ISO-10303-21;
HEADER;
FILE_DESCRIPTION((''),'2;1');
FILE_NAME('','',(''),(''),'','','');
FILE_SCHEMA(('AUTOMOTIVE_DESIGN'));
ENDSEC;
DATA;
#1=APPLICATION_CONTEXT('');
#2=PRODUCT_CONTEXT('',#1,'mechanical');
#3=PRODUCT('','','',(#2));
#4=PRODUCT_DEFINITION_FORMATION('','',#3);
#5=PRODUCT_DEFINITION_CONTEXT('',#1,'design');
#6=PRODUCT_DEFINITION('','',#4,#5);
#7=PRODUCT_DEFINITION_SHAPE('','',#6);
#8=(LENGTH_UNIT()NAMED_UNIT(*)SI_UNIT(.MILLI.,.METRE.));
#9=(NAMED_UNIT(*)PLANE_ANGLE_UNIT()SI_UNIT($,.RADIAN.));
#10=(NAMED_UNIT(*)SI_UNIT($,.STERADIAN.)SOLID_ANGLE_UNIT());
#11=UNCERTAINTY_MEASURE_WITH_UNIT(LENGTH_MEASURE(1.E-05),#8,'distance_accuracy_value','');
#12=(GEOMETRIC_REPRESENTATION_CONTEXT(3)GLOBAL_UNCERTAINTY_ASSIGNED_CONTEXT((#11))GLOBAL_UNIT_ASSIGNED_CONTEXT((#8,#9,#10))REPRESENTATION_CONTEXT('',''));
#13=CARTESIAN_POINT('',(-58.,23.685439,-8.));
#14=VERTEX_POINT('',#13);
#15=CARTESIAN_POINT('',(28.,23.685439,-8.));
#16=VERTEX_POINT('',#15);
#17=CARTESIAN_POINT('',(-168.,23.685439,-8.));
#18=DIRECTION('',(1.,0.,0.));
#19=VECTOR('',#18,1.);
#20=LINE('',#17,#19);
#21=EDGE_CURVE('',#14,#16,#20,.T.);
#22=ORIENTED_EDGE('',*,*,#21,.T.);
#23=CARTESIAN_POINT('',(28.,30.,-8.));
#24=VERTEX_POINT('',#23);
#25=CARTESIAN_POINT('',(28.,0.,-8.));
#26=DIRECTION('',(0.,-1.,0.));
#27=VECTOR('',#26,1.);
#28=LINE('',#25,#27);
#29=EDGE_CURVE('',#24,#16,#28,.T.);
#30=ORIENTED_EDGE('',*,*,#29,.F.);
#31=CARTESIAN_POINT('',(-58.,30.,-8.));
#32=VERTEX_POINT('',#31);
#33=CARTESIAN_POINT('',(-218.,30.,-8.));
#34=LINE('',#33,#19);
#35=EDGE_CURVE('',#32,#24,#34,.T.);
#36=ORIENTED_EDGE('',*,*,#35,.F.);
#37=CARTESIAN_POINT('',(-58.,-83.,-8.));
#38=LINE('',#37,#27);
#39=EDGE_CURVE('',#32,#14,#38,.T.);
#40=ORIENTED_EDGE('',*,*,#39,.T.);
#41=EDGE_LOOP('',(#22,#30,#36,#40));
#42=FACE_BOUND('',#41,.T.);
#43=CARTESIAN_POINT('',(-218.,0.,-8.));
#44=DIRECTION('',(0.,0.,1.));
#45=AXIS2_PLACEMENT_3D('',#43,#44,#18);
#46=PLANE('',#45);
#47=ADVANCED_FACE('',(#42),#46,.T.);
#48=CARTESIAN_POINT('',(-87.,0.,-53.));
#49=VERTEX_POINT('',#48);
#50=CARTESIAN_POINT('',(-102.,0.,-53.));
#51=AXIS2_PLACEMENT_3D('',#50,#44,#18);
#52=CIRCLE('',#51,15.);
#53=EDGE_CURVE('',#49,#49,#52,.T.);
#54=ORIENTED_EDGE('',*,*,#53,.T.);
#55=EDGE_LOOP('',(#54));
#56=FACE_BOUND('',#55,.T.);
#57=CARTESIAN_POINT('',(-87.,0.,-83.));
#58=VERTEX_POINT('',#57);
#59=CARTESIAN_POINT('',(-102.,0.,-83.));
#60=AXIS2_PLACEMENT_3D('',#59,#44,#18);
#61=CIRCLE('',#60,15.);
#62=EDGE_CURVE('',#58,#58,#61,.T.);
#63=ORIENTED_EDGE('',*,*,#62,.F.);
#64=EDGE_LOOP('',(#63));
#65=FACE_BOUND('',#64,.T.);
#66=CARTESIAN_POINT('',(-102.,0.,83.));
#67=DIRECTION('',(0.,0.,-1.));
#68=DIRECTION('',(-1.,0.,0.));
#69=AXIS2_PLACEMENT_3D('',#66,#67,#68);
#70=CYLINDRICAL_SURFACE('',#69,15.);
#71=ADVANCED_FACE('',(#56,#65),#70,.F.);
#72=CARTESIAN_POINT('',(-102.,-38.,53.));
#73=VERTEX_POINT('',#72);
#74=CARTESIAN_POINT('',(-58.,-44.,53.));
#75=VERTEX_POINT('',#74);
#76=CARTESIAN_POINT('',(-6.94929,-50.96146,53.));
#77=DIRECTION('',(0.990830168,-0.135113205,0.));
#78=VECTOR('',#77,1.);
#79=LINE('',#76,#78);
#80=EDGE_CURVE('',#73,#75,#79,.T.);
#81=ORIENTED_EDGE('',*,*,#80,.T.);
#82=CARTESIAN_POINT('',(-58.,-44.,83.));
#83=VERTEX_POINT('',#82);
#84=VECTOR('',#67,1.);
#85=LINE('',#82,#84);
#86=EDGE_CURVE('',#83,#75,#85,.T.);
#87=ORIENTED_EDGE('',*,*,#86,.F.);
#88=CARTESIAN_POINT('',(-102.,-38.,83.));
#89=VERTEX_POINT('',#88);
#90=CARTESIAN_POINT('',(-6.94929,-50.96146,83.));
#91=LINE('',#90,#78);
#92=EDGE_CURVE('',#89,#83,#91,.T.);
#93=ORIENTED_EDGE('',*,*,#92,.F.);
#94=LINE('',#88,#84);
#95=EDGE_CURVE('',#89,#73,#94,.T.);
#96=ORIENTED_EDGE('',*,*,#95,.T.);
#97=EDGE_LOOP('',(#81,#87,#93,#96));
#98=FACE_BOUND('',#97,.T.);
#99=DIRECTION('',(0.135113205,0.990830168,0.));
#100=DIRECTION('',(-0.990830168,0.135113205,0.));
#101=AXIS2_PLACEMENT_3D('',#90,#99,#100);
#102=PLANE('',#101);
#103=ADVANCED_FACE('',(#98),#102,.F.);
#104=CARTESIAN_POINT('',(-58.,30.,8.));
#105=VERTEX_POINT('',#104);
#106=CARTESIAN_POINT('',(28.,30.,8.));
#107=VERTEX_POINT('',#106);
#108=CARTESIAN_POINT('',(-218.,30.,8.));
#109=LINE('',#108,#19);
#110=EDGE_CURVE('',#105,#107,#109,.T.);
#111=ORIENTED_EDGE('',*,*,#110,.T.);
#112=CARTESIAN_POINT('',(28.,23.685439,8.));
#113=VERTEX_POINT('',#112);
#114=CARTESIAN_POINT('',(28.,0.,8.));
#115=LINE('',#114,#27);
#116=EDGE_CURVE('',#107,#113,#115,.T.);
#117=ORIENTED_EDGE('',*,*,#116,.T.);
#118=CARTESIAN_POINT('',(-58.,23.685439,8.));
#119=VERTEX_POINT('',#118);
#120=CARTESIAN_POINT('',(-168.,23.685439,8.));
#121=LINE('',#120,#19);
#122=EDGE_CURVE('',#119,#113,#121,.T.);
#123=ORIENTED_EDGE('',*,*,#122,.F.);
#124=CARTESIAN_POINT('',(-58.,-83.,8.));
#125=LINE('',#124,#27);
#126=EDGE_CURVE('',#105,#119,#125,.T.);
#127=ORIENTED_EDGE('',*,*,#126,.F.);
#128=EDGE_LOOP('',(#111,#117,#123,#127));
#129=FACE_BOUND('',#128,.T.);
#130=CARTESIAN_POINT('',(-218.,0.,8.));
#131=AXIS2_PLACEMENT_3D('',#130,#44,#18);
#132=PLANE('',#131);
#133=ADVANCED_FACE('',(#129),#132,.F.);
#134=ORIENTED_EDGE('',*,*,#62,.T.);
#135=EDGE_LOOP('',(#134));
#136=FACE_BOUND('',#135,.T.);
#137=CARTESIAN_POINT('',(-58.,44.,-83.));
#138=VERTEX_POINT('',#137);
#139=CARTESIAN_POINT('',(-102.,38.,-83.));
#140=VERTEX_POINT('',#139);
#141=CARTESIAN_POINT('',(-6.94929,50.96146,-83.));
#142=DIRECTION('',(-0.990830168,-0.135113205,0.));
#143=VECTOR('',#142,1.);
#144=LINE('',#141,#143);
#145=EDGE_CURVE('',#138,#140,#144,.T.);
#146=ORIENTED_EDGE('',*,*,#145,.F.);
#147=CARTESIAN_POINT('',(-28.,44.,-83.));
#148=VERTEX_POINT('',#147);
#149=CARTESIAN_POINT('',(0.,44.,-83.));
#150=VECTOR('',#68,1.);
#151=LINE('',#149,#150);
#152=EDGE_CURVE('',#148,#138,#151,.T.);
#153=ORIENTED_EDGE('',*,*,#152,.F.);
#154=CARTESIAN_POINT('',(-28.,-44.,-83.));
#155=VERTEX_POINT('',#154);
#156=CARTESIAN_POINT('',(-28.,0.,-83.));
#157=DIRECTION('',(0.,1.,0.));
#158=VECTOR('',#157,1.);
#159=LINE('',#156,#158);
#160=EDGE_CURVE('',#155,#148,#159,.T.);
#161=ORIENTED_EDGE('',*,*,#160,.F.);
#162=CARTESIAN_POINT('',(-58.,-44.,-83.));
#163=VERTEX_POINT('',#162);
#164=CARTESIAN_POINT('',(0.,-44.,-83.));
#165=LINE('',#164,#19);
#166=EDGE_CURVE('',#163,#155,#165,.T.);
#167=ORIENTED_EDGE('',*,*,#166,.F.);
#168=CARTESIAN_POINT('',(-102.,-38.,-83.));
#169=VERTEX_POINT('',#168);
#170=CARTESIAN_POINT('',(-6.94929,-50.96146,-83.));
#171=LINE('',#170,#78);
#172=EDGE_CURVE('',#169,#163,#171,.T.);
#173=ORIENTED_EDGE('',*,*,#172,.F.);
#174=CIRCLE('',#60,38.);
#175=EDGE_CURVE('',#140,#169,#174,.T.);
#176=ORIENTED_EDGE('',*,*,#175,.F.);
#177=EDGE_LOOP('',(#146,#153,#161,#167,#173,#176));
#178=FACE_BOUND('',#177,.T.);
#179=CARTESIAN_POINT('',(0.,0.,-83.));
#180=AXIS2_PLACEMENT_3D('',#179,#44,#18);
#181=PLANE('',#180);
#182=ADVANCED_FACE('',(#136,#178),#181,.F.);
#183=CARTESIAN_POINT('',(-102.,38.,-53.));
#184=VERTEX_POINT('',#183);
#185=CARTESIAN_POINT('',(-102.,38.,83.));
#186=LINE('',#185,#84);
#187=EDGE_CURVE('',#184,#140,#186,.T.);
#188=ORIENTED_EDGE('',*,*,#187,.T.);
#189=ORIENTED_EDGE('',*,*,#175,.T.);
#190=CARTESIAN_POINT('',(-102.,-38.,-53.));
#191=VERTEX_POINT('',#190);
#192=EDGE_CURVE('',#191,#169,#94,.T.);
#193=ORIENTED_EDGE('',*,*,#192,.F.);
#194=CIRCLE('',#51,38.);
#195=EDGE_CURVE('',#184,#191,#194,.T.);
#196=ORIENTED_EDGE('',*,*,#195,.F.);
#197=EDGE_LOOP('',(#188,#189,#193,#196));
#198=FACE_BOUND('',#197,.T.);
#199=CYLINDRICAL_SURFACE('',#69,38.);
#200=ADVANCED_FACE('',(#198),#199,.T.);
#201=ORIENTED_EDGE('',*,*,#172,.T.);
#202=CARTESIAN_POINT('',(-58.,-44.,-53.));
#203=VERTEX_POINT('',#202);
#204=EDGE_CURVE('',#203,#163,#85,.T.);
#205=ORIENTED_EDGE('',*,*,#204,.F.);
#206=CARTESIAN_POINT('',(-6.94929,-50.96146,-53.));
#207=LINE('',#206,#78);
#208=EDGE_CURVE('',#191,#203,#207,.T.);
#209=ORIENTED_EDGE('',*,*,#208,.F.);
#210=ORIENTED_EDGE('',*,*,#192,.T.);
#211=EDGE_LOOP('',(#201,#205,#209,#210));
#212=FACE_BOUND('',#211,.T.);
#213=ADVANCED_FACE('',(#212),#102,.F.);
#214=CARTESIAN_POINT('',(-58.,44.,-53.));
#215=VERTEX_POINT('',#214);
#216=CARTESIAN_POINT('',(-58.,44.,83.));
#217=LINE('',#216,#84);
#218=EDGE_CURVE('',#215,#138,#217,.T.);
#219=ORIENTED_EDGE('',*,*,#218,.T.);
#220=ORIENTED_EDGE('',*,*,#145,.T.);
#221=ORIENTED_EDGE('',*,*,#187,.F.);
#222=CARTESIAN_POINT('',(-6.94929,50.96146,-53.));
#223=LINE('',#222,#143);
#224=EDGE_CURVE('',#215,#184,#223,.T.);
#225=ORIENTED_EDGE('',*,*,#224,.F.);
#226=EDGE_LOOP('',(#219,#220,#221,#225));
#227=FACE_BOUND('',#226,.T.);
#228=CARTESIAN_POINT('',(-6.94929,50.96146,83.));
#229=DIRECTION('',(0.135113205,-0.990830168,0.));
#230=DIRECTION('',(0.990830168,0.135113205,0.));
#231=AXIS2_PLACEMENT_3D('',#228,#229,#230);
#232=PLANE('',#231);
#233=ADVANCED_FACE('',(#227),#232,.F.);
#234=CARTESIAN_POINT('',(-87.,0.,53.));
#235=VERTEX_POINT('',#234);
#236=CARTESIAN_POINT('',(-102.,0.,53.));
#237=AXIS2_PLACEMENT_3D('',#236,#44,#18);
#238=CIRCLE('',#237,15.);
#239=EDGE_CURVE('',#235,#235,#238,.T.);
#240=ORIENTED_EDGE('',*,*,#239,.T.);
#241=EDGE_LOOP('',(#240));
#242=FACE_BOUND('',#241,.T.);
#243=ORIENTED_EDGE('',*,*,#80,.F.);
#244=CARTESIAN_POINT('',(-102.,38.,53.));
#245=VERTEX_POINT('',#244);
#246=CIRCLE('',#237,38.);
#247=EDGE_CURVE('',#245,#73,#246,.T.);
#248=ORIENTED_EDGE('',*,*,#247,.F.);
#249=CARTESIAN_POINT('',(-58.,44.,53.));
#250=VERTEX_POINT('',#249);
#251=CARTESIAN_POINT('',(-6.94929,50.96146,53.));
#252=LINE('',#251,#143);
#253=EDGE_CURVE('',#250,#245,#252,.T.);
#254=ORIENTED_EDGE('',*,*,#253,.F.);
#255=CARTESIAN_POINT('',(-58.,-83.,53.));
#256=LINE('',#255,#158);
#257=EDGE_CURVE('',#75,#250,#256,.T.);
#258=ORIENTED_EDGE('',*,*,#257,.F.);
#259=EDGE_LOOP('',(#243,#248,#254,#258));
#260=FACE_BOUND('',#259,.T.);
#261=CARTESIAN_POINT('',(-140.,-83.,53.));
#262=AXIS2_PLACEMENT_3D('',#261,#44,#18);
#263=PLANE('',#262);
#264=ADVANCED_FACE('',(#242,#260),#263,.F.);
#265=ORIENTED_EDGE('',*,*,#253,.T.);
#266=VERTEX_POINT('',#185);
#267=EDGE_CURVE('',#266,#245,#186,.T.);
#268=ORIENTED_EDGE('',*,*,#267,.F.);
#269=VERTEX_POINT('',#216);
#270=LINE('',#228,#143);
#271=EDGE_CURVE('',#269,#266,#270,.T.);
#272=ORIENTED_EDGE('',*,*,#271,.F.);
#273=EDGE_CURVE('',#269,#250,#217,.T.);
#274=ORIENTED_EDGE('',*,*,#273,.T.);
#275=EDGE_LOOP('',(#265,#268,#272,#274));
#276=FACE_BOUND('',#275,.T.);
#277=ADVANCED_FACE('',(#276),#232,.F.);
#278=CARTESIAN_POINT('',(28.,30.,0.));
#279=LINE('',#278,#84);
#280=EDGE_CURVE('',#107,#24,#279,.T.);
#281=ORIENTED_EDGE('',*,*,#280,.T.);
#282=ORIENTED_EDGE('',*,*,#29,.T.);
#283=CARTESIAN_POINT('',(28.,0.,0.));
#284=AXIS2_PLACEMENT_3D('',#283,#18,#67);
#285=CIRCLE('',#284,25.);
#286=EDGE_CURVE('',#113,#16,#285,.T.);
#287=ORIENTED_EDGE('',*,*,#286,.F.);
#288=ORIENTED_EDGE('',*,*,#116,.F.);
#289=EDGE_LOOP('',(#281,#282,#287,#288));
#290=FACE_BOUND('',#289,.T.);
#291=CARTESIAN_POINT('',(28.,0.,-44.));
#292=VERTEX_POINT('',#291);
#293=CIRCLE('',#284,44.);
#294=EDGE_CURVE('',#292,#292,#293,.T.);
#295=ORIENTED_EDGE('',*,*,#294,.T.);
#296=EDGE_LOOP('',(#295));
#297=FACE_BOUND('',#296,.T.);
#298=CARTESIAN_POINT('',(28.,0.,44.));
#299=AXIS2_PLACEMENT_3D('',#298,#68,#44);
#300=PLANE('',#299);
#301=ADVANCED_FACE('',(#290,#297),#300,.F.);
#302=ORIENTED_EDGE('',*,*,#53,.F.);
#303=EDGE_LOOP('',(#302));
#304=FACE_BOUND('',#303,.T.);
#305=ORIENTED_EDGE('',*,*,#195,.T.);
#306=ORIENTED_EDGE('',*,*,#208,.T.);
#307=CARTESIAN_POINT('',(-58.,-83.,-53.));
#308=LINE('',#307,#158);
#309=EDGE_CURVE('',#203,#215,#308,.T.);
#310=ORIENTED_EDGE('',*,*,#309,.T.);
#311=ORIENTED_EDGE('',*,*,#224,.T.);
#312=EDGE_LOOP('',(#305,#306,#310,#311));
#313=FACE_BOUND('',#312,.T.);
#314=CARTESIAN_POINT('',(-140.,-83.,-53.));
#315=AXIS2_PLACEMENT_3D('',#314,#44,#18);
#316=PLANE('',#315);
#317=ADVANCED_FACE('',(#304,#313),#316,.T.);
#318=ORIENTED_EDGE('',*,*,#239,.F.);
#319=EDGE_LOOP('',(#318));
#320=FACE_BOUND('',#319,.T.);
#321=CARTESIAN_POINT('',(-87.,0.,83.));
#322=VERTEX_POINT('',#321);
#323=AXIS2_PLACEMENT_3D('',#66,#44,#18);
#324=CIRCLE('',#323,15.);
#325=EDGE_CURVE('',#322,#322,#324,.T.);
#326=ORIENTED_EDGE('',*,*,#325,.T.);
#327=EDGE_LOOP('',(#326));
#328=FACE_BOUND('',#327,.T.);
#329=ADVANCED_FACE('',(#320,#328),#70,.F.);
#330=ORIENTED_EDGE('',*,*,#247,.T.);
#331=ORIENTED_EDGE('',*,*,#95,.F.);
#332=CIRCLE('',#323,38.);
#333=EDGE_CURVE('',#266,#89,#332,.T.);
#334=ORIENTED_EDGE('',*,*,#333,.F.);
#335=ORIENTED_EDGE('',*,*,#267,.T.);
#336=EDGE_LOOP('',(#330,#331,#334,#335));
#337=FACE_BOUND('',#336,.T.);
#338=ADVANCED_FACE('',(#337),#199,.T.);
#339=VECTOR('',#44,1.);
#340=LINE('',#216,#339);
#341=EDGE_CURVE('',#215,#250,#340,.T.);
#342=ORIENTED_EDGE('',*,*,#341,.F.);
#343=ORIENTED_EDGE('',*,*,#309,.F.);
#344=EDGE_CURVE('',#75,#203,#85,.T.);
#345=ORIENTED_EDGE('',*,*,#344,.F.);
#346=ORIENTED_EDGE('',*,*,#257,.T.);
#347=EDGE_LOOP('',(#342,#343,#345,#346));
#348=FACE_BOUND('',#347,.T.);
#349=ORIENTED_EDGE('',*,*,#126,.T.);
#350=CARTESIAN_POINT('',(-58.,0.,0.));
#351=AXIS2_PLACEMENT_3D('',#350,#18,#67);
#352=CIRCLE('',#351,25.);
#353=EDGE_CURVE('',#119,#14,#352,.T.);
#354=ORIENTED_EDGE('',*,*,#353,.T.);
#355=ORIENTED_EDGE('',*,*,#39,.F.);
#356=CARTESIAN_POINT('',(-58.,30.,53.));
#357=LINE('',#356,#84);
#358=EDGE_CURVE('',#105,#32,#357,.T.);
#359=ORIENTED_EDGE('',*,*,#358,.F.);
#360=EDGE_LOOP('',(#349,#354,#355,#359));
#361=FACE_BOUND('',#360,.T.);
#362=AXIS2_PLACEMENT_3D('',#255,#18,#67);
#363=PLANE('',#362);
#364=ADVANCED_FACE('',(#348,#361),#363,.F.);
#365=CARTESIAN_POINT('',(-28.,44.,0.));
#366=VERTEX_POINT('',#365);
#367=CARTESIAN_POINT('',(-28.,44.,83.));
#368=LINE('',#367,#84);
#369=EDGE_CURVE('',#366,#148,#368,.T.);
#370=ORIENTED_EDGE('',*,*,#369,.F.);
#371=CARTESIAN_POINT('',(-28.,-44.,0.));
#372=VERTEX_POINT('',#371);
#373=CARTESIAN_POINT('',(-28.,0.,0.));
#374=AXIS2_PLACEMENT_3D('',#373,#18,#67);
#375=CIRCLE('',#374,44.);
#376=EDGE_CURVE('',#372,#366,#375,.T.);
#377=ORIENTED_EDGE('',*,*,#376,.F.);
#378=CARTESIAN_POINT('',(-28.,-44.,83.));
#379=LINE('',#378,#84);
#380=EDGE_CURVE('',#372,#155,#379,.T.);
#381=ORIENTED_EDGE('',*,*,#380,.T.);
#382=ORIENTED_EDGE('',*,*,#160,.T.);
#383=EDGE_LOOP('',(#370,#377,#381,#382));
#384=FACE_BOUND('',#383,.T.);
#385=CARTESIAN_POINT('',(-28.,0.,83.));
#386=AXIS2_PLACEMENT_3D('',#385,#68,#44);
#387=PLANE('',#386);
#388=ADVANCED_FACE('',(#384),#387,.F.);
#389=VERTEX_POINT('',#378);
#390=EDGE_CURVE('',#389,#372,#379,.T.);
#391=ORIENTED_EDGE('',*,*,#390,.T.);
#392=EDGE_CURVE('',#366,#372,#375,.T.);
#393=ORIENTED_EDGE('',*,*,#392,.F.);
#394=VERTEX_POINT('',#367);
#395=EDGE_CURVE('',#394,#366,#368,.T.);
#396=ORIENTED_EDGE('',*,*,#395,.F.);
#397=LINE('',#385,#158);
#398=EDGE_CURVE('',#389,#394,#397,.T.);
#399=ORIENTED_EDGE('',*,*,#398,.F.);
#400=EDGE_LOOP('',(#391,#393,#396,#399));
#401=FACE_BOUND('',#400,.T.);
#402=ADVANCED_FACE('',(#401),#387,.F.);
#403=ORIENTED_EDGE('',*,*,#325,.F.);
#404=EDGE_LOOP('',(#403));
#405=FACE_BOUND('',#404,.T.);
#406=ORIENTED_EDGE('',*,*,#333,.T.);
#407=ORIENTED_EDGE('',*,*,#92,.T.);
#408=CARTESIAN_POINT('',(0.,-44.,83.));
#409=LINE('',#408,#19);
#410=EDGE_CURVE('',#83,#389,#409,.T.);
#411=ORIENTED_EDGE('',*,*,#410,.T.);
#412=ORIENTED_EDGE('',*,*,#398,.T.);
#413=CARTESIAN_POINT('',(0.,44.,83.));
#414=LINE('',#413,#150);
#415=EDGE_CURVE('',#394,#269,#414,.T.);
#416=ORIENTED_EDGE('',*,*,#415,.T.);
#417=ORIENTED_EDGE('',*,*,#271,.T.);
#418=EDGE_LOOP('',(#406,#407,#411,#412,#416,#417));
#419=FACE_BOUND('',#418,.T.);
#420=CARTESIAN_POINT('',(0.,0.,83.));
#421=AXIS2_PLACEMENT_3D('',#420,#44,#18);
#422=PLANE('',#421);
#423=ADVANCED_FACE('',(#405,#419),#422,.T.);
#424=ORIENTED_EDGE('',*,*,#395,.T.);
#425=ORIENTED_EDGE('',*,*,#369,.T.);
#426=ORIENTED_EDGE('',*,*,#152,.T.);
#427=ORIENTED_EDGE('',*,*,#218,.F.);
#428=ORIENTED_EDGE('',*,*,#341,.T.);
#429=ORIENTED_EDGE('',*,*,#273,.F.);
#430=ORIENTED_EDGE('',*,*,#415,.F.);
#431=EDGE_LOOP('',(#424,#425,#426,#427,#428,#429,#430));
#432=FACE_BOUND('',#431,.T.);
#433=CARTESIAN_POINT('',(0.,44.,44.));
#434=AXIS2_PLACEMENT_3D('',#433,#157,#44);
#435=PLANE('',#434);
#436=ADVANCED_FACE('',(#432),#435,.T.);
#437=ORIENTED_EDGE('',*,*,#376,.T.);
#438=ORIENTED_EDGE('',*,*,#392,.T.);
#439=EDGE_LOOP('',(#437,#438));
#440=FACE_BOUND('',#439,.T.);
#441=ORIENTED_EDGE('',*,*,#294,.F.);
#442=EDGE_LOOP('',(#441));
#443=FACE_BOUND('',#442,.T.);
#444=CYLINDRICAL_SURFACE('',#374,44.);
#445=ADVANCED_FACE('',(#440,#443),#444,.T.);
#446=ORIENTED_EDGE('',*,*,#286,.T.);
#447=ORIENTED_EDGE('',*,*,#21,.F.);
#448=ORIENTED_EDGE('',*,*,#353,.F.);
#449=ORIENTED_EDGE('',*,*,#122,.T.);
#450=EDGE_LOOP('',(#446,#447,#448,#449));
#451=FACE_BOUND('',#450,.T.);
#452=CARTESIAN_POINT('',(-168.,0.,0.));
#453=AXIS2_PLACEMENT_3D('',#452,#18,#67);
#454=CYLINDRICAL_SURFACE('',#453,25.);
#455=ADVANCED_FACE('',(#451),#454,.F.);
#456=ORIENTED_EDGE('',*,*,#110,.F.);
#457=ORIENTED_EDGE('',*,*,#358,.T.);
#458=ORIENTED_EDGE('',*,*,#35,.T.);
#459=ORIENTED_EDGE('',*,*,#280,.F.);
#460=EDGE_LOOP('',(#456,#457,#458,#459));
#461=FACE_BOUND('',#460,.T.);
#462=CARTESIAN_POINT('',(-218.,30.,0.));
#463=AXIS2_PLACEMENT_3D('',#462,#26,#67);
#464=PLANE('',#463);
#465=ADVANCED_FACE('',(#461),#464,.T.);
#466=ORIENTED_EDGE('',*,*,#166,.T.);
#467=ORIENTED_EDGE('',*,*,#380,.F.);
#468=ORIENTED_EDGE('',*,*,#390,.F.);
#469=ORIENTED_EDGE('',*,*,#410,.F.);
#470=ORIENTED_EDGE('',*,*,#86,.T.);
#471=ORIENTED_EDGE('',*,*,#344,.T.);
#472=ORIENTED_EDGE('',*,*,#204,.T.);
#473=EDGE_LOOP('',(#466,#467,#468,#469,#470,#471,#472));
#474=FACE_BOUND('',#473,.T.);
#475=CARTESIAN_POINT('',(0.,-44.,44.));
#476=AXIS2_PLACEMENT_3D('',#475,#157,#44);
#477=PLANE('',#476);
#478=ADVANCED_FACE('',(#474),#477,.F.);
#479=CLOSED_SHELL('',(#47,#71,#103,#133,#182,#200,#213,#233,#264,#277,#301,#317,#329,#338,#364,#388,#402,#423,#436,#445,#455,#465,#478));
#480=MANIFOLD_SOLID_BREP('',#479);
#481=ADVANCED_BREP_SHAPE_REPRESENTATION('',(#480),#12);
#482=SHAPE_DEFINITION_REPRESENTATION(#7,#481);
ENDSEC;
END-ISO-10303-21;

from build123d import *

# Parameters (mm, degrees)
SKETCH1_W           = 56
SKETCH1_H           = 88
BOSS_EXTRUDE1_DEPTH = 44
SKETCH1_3_R         = 15
BOSS_EXTRUDE2_DEPTH = 83
SKETCH2_W           = 82
SKETCH2_H           = 106
CUT_EXTRUDE1_DEPTH  = 83
CUT_EXTRUDE2_DEPTH  = 56
SKETCH3_4_R         = 25
CUT_EXTRUDE3_DEPTH  = 196
CUT_EXTRUDE6_DEPTH  = 246


with BuildPart() as part:
    # Sketch1 → Boss-Extrude1 (new, symmetric)
    with BuildSketch(Plane.XY):
        Rectangle(SKETCH1_W, SKETCH1_H)
    extrude(amount=BOSS_EXTRUDE1_DEPTH, both=True)

    # Sketch1<3> → Boss-Extrude2 (add, symmetric)
    with BuildSketch(Plane.XY):
        with BuildLine():
            Line((-28, -44), (-28, 44))
            Line((-28, 44), (-58, 44))
            Line((-58, 44), (-102, 38))
            ThreePointArc((-102, 38), (-140, 0), (-102, -38))
            Line((-102, -38), (-58, -44))
            Line((-58, -44), (-28, -44))
        make_face()
        with Locations((-102, 0)):
            Circle(SKETCH1_3_R, mode=Mode.SUBTRACT)
    extrude(amount=BOSS_EXTRUDE2_DEPTH, both=True)

    # Sketch2 → Cut-Extrude1 (cut, symmetric)
    with BuildSketch(Plane(origin=(0, 0, 0), x_dir=(1, 0, 0), z_dir=(0, 1, 0))):
        with Locations((-99, 0)):
            Rectangle(SKETCH2_W, SKETCH2_H)
    extrude(amount=CUT_EXTRUDE1_DEPTH, both=True, mode=Mode.SUBTRACT)

    # Sketch3 → Cut-Extrude2 (cut)
    with BuildSketch(Plane(origin=(28, 0, 0), x_dir=(0, 0, -1), z_dir=(1, 0, 0))):
        with BuildLine():
            Line((-44, 44), (-44, 0))
            ThreePointArc((-44, 0), (-31.112698372, 31.112698372), (0, 44))
            Line((0, 44), (-44, 44))
        make_face()
        with BuildLine():
            ThreePointArc((0, -44), (-31.112698372, -31.112698372), (-44, 0))
            Line((-44, 0), (-44, -44))
            Line((-44, -44), (0, -44))
        make_face()
        with BuildLine():
            Line((44, 44), (0, 44))
            ThreePointArc((0, 44), (31.112698372, 31.112698372), (44, 0))
            Line((44, 0), (44, 44))
        make_face()
        with BuildLine():
            ThreePointArc((44, 0), (31.112698372, -31.112698372), (0, -44))
            Line((0, -44), (44, -44))
            Line((44, -44), (44, 0))
        make_face()
    extrude(amount=-CUT_EXTRUDE2_DEPTH, mode=Mode.SUBTRACT)

    # Sketch3<4> → Cut-Extrude3 (cut)
    with BuildSketch(Plane(origin=(28, 0, 0), x_dir=(0, 0, -1), z_dir=(1, 0, 0))):
        Circle(SKETCH3_4_R)
    extrude(amount=-CUT_EXTRUDE3_DEPTH, mode=Mode.SUBTRACT)

    # Sketch5 → Cut-Extrude6 (cut)
    with BuildSketch(Plane(origin=(28, 0, 0), x_dir=(0, 0, -1), z_dir=(1, 0, 0))):
        with BuildLine():
            Line((8, 30), (-8, 30))
            Line((-8, 30), (-8, 23.685438565))
            ThreePointArc((-8, 23.685438565), (-6.020486484, 24.264248237), (-4, 24.677925359))
            ThreePointArc((-4, 24.677925359), (0, 25), (4, 24.677925359))
            ThreePointArc((4, 24.677925359), (6.020486484, 24.264248237), (8, 23.685438565))
            Line((8, 23.685438565), (8, 30))
        make_face()
    extrude(amount=-CUT_EXTRUDE6_DEPTH, mode=Mode.SUBTRACT)


solid = part.part
